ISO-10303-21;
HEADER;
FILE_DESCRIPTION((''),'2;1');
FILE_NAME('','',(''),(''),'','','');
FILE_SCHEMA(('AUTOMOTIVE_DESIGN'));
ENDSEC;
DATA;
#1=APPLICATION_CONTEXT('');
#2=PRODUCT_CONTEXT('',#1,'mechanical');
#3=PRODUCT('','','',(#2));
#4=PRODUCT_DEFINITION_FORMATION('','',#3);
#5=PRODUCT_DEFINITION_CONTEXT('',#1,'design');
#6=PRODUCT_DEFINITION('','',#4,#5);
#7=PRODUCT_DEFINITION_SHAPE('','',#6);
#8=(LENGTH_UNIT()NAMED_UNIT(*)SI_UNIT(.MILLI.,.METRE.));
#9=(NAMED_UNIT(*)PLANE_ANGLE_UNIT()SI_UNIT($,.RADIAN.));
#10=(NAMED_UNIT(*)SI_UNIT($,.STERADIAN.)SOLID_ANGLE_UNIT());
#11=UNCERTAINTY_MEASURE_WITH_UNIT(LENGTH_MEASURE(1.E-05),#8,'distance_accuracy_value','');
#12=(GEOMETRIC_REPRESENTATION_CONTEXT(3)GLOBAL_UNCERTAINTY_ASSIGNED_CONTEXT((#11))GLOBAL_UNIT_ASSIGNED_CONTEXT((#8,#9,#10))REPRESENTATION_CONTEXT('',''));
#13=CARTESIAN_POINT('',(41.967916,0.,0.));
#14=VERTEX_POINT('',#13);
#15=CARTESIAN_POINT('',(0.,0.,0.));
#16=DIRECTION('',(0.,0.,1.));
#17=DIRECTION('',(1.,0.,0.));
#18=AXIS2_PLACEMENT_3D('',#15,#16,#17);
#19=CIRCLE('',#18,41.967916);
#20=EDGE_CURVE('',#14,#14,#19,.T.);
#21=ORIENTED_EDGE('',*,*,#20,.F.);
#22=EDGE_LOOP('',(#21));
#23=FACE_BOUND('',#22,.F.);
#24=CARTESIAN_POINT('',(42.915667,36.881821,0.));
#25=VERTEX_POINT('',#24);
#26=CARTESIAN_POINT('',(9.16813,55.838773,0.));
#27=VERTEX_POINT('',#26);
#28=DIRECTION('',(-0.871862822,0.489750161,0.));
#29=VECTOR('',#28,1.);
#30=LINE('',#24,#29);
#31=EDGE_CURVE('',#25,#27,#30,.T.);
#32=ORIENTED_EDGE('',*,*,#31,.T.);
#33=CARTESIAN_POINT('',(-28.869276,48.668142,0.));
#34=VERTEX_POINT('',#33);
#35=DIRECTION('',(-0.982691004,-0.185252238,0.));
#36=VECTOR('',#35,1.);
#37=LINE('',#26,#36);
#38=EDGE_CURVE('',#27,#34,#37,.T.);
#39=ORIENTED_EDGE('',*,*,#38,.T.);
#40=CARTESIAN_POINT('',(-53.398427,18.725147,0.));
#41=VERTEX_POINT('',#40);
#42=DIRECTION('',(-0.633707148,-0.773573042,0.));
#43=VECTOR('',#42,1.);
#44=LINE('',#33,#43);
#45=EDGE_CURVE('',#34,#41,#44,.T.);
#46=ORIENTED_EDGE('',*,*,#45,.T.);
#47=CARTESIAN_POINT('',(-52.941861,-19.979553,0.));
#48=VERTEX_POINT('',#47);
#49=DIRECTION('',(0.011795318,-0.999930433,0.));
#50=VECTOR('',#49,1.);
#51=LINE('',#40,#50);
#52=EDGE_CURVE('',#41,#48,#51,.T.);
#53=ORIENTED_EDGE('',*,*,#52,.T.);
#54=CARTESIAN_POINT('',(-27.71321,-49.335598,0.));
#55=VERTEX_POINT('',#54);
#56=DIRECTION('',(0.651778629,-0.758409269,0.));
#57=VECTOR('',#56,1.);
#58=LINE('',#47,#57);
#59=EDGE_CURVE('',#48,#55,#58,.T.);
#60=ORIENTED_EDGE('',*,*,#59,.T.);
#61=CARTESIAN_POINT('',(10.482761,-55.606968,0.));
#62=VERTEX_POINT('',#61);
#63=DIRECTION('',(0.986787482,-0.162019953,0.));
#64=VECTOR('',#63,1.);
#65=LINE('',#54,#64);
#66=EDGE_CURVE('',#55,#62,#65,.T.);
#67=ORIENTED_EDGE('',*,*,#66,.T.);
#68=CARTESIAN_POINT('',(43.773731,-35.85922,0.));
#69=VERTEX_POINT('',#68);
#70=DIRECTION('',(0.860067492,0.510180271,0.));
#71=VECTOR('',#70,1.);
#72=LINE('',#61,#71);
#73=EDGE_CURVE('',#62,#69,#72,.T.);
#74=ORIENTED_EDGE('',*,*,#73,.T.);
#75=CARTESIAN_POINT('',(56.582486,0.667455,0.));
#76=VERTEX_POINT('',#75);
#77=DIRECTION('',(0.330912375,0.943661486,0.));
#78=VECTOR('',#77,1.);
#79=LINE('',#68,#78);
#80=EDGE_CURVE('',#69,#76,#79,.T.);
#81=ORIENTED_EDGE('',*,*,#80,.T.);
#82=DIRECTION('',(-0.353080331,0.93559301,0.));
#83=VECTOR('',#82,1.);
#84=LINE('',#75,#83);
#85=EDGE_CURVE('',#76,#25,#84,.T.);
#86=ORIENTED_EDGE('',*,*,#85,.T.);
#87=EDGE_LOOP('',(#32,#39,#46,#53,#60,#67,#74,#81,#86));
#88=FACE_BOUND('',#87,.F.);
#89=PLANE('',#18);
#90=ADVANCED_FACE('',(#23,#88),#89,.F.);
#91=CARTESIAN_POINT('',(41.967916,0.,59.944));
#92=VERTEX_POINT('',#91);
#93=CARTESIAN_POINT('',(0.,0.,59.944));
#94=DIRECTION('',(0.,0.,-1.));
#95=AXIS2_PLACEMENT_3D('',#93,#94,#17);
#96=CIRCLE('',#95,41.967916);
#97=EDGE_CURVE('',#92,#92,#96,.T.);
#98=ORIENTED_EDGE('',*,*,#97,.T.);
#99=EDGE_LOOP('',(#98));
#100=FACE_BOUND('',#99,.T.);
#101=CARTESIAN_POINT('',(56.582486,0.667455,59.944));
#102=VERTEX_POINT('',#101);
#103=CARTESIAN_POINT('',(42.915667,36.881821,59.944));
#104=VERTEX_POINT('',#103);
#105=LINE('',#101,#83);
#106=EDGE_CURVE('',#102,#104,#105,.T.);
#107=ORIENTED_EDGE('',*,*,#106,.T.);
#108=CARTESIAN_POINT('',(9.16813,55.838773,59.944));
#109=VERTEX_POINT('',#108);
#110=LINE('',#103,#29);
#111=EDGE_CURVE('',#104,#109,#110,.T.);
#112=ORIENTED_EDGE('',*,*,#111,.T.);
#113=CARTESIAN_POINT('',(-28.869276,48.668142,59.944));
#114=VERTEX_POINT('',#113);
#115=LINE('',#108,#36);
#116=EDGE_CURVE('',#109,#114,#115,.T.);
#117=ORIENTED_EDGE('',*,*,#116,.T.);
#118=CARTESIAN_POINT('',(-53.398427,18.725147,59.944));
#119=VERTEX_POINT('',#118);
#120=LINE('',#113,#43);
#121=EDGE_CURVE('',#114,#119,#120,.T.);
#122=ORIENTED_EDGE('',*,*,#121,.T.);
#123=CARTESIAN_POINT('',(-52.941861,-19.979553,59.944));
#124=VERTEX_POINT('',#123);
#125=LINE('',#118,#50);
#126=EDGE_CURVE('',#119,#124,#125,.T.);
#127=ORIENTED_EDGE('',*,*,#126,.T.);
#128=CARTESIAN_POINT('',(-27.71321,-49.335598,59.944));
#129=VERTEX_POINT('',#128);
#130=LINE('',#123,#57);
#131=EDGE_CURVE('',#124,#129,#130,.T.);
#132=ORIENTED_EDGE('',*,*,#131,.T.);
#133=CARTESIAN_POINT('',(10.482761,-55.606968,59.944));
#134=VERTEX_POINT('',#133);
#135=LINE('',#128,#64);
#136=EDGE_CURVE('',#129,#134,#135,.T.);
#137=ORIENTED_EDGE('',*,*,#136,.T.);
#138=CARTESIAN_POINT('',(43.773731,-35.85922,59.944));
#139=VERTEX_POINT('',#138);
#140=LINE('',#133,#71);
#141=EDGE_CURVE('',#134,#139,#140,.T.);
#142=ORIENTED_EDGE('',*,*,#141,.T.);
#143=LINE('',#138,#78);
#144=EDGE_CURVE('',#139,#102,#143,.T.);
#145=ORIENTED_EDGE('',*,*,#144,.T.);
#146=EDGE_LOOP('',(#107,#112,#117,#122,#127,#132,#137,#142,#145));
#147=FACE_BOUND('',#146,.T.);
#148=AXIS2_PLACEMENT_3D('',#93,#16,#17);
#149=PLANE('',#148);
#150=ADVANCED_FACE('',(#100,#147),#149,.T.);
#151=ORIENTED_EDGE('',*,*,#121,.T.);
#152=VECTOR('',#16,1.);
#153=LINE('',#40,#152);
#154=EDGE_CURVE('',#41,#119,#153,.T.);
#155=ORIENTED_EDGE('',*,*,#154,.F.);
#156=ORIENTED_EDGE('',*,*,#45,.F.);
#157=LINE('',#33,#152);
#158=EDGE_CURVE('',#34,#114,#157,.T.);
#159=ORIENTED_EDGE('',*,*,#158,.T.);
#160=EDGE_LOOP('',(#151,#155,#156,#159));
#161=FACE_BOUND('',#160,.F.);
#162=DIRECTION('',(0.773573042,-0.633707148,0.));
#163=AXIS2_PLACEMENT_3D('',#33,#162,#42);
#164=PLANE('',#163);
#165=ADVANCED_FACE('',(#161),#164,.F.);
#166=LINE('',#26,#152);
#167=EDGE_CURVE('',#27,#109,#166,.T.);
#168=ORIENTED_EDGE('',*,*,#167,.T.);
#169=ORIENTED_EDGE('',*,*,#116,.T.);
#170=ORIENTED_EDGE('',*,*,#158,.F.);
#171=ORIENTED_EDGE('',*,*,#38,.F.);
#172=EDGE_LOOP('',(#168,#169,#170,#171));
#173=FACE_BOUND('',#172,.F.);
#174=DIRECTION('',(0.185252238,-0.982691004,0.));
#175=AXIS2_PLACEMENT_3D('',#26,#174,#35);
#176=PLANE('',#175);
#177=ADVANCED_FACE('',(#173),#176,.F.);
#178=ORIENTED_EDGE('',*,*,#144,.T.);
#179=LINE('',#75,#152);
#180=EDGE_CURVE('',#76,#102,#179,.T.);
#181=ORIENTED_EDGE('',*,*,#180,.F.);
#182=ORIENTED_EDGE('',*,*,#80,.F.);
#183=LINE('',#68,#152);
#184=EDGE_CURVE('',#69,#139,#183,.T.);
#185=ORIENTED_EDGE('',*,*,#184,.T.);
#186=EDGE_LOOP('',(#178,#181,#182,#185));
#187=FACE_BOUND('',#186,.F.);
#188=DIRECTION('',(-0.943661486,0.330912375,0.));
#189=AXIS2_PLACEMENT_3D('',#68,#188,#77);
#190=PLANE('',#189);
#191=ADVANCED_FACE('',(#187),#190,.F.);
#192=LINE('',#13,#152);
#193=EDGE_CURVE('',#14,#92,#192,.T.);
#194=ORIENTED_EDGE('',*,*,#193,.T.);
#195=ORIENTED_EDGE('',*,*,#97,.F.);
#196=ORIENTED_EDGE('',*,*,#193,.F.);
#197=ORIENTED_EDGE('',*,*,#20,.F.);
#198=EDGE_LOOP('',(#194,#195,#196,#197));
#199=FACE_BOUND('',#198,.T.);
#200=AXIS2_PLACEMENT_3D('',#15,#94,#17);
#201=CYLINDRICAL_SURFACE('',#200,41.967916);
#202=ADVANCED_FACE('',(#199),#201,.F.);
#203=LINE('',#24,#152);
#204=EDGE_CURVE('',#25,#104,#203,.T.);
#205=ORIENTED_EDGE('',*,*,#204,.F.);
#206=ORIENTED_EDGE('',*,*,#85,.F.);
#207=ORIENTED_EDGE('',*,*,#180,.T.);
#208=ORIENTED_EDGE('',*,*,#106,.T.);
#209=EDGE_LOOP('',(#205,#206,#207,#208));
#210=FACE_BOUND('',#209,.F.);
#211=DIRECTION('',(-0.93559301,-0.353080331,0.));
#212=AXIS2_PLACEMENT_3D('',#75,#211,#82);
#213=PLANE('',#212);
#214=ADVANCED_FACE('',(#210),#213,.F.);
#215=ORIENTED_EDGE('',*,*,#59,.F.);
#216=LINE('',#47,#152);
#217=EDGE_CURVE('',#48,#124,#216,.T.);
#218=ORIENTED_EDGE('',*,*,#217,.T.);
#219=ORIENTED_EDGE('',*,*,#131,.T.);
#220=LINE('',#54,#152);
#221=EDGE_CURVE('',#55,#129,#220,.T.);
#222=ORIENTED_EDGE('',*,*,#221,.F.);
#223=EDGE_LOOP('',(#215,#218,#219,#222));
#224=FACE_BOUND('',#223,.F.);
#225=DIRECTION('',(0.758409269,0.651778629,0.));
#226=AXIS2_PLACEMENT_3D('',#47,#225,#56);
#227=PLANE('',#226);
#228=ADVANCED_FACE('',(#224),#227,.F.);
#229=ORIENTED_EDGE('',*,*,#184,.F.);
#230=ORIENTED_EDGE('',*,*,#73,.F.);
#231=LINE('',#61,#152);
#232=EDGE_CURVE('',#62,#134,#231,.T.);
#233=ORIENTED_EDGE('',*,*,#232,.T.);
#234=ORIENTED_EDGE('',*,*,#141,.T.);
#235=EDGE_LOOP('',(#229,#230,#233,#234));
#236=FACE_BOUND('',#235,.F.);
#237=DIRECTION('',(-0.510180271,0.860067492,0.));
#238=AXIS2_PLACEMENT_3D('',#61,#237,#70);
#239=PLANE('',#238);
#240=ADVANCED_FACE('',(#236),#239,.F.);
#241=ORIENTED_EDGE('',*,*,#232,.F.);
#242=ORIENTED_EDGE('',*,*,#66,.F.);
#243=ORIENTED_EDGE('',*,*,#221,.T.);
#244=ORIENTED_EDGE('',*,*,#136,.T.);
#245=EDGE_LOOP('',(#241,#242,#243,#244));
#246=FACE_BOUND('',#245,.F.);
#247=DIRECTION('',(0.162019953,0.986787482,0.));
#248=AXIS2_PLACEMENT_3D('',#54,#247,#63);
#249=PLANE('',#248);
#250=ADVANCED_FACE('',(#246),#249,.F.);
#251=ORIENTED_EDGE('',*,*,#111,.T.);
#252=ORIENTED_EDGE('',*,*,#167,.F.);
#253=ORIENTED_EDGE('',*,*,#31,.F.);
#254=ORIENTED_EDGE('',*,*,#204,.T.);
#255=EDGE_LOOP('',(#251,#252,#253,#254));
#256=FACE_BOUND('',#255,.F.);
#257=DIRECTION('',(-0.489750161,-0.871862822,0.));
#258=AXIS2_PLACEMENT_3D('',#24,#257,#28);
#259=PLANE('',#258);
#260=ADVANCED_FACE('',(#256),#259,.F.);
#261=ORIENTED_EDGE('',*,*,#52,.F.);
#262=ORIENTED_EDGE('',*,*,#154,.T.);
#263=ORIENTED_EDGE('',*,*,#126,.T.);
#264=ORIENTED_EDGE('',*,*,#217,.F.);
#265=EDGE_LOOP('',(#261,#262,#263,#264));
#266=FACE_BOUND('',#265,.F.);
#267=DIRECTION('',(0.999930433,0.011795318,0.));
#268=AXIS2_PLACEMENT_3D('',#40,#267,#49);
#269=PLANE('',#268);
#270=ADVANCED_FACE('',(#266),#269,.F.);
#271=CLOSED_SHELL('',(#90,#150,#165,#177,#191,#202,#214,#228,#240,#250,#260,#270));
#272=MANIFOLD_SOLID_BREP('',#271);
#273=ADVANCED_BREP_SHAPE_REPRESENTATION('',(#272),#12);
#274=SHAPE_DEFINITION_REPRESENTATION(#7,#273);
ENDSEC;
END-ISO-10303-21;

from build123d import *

# Parameters (mm, degrees)
F1_DEPTH = 59.944
F2_R     = 41.967916
F3_DEPTH = 83.566


with BuildPart() as f1:
    # F0 (on Top) → F1 (new body)
    with BuildSketch(Plane.XY):
        Polygon((10.482761, -55.606968), (43.773731, -35.85922), (56.582486, 0.667455), (42.915667, 36.881821), (9.16813, 55.838773), (-28.869276, 48.668142), (-53.398427, 18.725147), (-52.941861, -19.979553), (-27.71321, -49.335598), align=None)
    extrude(amount=F1_DEPTH)

    # F2 (on Top) → F3 (cut)
    with BuildSketch(Plane.XY):
        Circle(F2_R)
    extrude(amount=F3_DEPTH, mode=Mode.SUBTRACT)


solid = f1.part
